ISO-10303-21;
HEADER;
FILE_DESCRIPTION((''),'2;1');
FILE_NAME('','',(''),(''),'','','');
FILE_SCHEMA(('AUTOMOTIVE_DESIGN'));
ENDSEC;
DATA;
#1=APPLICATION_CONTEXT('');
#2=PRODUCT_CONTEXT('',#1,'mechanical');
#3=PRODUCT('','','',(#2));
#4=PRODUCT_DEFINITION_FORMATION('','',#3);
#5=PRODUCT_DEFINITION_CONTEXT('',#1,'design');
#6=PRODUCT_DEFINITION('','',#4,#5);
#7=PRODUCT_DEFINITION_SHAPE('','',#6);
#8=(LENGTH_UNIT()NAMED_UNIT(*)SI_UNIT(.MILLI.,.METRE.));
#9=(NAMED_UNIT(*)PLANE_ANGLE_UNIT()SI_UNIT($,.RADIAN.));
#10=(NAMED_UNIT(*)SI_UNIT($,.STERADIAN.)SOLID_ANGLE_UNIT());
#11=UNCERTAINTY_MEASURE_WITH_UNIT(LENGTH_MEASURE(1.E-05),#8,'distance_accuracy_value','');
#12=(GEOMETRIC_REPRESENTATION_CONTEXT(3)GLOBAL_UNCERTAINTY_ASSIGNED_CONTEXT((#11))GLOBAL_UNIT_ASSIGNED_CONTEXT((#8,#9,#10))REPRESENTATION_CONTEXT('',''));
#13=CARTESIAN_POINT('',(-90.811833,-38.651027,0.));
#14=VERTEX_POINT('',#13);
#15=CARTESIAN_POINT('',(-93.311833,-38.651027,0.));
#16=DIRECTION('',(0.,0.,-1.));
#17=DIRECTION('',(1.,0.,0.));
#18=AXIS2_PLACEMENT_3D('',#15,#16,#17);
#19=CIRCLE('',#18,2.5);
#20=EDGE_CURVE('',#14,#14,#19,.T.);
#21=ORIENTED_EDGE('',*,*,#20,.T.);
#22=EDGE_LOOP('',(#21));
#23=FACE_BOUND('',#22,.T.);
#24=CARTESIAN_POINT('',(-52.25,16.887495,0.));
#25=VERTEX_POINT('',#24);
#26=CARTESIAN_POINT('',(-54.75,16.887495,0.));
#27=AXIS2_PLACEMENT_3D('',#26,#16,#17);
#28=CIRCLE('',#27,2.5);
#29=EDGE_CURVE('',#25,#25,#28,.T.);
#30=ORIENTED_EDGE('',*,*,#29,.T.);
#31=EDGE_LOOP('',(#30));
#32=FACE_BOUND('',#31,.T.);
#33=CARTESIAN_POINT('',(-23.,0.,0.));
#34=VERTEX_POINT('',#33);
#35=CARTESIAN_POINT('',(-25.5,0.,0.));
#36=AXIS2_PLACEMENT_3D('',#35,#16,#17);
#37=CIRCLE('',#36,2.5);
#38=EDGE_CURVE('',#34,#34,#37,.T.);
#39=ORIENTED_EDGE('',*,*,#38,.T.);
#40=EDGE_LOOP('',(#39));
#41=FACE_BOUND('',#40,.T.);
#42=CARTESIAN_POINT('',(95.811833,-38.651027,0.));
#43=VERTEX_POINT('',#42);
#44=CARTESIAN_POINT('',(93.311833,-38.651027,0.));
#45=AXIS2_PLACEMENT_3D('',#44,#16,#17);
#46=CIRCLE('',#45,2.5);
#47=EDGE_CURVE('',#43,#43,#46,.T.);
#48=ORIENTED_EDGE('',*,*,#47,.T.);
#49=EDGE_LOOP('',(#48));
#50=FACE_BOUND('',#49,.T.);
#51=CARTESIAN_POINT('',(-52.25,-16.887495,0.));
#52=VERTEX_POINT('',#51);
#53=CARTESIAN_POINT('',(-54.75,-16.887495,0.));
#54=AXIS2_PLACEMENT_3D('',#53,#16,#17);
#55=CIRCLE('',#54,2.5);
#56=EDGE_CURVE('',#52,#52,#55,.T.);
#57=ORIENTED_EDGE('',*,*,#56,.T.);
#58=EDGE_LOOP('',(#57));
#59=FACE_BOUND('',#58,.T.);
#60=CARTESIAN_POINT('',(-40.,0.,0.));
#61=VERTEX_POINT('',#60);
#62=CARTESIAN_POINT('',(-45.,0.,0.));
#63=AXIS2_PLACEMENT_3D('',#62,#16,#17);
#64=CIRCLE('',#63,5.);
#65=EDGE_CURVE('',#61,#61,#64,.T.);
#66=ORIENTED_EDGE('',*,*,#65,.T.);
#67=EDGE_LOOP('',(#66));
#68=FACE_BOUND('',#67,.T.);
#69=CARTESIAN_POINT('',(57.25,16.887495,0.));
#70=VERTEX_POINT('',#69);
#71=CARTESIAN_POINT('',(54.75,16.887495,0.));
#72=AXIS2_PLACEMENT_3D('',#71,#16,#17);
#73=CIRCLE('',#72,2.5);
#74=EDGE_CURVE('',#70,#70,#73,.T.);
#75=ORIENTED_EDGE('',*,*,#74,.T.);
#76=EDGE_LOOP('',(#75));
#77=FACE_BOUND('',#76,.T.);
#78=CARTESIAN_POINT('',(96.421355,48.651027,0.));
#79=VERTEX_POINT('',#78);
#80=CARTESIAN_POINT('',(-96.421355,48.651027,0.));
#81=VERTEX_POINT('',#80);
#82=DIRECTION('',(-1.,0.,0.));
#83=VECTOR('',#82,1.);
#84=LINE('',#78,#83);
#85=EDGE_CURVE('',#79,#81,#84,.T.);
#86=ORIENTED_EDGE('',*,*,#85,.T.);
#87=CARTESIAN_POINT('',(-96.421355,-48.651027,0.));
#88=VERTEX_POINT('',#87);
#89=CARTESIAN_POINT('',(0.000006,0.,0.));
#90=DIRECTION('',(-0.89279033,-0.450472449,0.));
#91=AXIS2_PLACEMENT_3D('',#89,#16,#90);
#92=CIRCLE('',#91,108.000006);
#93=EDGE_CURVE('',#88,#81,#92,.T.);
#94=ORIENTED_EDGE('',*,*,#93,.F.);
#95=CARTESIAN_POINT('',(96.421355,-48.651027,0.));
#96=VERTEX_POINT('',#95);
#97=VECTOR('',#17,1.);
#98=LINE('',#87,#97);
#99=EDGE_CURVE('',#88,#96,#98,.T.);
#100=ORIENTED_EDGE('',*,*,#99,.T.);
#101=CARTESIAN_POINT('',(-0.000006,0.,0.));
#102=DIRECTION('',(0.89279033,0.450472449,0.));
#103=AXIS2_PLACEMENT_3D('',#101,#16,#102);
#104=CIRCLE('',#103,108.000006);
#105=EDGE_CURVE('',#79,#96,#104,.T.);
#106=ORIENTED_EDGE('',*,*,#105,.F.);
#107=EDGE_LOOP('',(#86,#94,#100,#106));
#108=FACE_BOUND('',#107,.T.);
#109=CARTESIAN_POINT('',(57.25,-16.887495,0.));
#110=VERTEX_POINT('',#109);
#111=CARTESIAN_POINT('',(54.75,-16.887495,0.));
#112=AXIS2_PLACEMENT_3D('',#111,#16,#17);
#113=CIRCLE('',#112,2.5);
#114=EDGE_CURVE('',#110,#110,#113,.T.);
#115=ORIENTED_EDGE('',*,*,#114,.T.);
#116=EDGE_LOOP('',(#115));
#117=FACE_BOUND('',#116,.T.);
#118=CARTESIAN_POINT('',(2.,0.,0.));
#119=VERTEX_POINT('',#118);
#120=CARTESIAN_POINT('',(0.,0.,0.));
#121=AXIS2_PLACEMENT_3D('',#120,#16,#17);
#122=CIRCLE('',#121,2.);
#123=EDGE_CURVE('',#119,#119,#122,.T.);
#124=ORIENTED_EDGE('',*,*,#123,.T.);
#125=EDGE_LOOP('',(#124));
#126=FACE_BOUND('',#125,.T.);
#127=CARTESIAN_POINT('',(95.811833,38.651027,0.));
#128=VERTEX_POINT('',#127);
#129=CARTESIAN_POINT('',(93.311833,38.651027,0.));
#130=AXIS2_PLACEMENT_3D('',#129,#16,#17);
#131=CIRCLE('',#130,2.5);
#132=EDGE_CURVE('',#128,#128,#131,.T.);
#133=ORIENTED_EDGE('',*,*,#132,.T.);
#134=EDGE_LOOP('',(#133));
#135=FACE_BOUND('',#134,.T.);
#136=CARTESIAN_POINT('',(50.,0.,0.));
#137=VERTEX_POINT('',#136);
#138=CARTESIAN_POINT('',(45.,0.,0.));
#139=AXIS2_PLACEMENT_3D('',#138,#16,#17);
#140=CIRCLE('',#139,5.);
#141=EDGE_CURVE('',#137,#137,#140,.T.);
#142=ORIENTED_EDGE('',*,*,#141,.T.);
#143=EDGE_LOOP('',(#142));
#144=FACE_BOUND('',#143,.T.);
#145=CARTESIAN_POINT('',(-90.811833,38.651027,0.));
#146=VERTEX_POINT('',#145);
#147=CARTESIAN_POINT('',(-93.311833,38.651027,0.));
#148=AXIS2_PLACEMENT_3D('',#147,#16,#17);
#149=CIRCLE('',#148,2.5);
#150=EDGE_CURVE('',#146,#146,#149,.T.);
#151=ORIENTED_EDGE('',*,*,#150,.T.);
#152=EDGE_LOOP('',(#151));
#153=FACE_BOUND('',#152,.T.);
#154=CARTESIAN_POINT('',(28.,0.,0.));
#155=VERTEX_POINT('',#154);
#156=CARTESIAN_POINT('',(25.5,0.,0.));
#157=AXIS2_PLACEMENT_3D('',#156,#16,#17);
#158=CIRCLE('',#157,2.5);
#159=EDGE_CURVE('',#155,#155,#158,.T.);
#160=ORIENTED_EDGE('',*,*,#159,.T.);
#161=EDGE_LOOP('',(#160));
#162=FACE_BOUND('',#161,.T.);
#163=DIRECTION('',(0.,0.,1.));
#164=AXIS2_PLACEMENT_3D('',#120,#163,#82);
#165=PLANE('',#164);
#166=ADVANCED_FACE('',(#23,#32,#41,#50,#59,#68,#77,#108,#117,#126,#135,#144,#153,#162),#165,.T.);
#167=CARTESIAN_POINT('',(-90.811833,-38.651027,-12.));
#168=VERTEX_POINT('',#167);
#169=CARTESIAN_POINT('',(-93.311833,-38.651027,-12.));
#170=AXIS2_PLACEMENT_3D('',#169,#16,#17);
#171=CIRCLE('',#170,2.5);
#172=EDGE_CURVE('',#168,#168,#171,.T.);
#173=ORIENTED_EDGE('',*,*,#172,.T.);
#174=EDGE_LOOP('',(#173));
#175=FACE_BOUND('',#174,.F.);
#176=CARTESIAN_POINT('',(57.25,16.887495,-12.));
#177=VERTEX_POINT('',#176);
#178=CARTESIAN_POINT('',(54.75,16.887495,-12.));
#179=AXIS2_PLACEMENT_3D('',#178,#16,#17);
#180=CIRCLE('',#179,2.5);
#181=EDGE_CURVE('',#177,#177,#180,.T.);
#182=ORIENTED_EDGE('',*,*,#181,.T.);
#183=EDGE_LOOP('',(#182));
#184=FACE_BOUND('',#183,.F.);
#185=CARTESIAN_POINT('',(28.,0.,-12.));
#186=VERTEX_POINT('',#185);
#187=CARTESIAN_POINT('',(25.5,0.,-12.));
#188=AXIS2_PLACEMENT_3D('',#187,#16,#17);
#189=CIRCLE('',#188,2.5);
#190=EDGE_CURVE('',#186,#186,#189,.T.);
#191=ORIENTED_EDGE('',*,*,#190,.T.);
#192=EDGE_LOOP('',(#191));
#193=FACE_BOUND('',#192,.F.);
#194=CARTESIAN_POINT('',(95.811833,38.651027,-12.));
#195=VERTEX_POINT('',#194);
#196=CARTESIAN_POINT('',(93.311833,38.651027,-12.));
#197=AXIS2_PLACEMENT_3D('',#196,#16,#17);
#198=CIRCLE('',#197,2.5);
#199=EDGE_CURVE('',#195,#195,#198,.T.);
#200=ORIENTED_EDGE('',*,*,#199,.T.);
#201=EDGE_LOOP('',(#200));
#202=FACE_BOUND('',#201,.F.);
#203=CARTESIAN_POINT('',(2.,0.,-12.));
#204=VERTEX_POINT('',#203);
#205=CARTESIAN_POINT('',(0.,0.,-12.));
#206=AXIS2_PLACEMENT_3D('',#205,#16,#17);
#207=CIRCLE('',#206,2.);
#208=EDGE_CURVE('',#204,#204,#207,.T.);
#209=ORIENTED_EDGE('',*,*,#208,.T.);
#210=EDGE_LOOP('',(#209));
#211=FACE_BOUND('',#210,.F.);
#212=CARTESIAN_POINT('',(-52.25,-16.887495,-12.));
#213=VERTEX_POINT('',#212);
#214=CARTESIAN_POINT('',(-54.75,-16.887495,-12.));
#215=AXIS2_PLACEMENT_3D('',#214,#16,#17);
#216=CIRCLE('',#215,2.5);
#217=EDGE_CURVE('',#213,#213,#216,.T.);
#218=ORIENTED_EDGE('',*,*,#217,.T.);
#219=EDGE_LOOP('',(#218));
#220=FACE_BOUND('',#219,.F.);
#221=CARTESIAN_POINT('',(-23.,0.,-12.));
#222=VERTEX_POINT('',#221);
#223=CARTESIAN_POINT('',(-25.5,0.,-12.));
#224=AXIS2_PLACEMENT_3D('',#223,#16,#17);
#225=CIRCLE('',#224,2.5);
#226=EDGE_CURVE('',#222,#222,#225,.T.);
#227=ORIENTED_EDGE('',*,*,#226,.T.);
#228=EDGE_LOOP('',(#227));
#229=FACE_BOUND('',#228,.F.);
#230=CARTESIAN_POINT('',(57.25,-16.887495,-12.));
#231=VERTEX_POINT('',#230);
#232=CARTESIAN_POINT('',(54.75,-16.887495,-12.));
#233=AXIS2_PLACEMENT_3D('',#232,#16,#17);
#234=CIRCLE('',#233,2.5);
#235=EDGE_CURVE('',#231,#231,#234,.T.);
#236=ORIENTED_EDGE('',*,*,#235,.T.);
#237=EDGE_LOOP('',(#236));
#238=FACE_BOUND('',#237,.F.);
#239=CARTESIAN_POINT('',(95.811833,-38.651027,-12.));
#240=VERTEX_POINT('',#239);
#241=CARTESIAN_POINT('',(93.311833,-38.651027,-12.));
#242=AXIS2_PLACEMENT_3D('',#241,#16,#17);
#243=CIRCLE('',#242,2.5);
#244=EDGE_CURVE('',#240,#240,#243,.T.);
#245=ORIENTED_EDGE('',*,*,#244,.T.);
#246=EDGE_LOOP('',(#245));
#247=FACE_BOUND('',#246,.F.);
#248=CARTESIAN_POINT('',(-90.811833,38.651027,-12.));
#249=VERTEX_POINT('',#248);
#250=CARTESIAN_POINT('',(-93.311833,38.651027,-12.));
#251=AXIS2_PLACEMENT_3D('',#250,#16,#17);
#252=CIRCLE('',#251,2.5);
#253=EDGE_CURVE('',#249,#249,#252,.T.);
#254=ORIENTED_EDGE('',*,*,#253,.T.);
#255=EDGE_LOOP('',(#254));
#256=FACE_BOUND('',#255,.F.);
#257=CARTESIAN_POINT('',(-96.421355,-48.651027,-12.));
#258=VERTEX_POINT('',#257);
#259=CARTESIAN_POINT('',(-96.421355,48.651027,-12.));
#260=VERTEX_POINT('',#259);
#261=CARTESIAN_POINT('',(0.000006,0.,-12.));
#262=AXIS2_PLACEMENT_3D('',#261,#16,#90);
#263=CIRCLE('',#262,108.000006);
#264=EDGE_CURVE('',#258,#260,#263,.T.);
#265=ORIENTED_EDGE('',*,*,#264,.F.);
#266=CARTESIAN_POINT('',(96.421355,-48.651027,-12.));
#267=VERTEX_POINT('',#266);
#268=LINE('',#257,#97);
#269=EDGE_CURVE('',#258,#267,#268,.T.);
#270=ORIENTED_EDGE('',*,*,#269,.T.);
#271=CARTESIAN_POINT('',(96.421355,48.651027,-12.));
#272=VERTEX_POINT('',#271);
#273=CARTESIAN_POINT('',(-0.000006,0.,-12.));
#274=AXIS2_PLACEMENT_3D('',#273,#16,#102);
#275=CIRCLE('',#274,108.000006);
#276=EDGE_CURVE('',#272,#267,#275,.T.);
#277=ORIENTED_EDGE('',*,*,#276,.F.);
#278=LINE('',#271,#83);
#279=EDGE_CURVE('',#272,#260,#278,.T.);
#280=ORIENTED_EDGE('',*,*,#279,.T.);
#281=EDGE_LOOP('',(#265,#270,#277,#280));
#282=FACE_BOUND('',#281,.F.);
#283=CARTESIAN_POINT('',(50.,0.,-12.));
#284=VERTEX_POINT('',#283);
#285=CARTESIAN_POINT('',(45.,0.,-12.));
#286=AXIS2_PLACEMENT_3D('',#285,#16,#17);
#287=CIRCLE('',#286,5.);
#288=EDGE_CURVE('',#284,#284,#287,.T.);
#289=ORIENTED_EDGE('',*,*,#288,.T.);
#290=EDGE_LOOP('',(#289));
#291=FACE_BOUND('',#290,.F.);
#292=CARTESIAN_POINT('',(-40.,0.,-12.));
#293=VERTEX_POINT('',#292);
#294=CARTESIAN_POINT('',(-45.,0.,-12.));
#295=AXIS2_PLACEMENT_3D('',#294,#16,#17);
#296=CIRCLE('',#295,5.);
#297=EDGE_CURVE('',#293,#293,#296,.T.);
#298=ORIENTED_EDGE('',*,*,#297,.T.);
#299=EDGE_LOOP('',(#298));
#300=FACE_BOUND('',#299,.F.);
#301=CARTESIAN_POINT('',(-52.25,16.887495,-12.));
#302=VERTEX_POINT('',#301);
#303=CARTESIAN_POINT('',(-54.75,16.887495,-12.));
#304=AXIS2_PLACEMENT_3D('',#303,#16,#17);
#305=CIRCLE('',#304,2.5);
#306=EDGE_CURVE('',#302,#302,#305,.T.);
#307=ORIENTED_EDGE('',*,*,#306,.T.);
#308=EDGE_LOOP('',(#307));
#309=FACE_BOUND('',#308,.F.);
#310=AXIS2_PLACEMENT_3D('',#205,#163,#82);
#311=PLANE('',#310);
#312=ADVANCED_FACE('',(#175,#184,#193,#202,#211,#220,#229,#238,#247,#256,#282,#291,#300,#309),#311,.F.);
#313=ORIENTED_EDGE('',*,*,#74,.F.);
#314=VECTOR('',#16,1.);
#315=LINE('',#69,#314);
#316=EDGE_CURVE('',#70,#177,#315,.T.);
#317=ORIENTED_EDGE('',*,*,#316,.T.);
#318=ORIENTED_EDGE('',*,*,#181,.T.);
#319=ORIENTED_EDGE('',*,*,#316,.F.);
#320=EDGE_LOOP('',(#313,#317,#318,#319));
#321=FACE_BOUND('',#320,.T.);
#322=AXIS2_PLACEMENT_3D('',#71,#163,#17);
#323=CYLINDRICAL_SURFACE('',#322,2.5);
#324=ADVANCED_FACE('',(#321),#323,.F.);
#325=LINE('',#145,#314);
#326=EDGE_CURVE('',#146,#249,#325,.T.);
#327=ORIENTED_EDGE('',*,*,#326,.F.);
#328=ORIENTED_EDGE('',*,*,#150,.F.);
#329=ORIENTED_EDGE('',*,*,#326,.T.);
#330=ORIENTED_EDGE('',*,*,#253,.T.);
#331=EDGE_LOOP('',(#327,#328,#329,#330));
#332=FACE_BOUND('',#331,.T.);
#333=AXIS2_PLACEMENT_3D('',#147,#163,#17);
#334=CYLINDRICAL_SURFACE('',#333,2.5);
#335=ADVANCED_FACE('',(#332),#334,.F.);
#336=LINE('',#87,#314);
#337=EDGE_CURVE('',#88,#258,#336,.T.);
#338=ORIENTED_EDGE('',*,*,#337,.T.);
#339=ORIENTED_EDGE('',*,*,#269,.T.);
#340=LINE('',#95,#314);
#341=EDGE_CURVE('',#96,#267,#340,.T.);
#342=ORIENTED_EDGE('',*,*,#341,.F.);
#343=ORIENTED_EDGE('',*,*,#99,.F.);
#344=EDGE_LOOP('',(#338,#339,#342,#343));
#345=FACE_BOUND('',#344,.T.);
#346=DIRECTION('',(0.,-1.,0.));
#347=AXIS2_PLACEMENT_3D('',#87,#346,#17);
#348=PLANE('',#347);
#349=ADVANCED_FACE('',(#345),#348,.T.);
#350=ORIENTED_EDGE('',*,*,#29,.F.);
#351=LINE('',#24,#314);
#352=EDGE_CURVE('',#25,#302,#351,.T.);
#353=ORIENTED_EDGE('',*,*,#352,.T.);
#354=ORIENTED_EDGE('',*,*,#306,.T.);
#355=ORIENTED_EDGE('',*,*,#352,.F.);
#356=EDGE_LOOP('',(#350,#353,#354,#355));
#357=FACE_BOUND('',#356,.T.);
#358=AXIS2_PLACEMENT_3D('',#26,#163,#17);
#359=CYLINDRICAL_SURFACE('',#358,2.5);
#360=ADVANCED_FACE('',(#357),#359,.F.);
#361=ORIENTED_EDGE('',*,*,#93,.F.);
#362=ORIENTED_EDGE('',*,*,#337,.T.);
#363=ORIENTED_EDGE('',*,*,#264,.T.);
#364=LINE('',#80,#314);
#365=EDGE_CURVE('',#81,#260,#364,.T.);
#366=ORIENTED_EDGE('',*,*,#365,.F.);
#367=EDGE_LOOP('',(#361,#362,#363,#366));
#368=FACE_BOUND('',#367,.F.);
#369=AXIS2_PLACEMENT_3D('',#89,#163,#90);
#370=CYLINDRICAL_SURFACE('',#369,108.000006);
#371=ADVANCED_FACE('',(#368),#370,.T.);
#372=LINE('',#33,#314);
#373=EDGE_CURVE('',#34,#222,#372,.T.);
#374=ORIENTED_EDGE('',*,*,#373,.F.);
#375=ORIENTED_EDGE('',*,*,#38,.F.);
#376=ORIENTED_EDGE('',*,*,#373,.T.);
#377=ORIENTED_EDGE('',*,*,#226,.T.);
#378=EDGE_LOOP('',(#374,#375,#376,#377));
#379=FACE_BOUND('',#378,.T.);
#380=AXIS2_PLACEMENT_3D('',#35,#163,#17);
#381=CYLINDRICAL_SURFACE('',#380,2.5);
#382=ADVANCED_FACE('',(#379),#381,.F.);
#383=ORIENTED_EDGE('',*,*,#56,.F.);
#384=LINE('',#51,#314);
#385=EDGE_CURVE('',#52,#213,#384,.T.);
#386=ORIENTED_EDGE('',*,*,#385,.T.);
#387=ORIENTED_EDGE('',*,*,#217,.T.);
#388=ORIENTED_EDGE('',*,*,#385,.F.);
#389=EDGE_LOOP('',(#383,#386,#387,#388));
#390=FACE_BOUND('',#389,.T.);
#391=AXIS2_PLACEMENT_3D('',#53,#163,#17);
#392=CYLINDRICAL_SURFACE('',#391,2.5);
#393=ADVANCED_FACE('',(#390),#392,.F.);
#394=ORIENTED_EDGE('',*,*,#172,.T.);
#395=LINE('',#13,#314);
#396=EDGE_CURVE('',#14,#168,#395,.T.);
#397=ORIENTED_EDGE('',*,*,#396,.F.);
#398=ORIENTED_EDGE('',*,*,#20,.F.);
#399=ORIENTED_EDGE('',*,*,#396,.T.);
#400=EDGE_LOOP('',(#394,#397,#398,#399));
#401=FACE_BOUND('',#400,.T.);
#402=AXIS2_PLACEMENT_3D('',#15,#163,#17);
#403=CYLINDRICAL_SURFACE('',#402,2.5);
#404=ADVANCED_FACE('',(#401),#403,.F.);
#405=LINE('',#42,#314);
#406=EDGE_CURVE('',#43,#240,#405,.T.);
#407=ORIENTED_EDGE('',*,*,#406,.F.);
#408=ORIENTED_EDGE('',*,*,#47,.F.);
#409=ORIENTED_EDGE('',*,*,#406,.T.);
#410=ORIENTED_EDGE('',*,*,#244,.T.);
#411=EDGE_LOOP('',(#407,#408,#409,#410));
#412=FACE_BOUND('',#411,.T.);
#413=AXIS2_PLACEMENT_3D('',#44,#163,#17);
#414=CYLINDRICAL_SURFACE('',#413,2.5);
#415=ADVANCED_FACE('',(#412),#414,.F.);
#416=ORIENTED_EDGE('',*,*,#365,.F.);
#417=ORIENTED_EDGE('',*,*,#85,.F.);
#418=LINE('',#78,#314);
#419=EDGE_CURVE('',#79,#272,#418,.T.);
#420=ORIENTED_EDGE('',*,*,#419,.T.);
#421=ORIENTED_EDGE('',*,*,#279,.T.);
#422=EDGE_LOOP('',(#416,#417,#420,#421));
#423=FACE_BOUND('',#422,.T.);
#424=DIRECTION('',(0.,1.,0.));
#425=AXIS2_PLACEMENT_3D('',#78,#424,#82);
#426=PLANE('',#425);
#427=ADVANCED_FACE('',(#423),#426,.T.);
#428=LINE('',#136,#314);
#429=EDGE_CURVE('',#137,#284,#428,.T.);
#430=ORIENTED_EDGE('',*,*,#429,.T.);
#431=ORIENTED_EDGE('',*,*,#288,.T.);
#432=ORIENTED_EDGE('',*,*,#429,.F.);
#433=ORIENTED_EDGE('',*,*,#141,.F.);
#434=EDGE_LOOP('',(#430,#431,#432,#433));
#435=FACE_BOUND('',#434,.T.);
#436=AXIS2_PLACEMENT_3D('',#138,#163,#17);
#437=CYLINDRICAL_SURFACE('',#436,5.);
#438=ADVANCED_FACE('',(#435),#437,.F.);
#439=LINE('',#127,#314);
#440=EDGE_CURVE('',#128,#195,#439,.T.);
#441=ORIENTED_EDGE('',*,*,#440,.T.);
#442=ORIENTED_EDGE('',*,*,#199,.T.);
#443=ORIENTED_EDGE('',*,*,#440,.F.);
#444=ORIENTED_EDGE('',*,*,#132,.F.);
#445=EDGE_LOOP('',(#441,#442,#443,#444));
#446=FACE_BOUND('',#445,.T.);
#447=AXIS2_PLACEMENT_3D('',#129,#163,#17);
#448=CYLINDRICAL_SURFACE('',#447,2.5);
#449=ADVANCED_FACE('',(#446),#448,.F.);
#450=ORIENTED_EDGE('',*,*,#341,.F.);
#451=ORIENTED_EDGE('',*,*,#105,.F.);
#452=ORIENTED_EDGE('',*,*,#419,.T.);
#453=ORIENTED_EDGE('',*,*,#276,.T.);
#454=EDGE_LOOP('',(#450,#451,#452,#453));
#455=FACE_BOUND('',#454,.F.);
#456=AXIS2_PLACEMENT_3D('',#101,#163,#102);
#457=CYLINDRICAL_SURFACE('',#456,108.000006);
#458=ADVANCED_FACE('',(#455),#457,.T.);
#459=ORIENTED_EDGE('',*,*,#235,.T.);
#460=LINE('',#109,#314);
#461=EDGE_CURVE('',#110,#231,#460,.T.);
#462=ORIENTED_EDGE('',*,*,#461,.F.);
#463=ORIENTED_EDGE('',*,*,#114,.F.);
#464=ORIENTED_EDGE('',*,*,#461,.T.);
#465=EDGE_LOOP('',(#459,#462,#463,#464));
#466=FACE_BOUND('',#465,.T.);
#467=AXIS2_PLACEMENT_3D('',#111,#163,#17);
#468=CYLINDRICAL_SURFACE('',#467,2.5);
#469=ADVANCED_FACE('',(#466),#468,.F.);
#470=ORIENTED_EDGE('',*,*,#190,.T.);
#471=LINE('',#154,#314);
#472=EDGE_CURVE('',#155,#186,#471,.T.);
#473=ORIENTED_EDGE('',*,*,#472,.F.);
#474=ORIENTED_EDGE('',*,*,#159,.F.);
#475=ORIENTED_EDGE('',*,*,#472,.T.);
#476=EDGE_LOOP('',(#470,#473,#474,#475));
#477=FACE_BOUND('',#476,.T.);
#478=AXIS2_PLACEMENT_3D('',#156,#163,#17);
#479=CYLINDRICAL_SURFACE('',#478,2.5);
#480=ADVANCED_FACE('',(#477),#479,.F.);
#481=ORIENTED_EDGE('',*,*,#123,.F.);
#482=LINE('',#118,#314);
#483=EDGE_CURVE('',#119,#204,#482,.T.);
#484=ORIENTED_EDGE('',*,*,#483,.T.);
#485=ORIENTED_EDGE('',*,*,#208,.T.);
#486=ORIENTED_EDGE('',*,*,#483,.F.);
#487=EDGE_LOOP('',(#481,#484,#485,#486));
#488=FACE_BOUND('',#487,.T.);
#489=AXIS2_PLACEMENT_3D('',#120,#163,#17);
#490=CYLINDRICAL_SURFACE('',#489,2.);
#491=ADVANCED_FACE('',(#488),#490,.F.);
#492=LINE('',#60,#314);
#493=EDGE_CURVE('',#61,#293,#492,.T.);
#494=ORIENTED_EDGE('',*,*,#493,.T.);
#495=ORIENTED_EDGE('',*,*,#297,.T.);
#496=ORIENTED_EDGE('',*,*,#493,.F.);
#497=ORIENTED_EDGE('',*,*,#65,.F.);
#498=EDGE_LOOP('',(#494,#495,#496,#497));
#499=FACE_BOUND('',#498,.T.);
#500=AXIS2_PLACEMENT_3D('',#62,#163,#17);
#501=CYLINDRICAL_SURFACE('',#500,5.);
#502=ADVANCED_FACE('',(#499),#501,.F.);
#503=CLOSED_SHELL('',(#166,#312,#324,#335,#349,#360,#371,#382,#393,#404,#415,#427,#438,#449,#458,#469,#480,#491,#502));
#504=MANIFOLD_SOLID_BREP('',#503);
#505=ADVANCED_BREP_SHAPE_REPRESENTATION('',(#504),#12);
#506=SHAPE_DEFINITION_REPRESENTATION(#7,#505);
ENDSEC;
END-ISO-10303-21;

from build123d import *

# Parameters (mm, degrees)
SKETCH001_R   = 2.5
SKETCH001_R_2 = 5
SKETCH001_R_3 = 2
PAD_DEPTH     = 12


with BuildPart() as part:
    # Sketch001 → Pad (new body)
    with BuildSketch(Plane(origin=(0, 0, 0), x_dir=(1, 0, 0), z_dir=(0, 0, -1))):
        with BuildLine():
            Line((-96.421355, 48.651027), (96.421355, 48.651027))
            ThreePointArc((96.421355, -48.651027), (108, 0), (96.421355, 48.651027))
            Line((96.421355, -48.651027), (-96.421355, -48.651027))
            ThreePointArc((-96.421355, 48.651027), (-108, 0), (-96.421355, -48.651027))
        make_face()
        with Locations((93.311833, 38.651027)):
            Circle(SKETCH001_R, mode=Mode.SUBTRACT)
        with Locations((93.311833, -38.651027)):
            Circle(SKETCH001_R, mode=Mode.SUBTRACT)
        with Locations((-93.311833, 38.651027)):
            Circle(SKETCH001_R, mode=Mode.SUBTRACT)
        with Locations((-93.311833, -38.651027)):
            Circle(SKETCH001_R, mode=Mode.SUBTRACT)
        with Locations((-45, 0)):
            Circle(SKETCH001_R_2, mode=Mode.SUBTRACT)
        with Locations((45, 0)):
            Circle(SKETCH001_R_2, mode=Mode.SUBTRACT)
        with Locations((54.75, 16.887495)):
            Circle(SKETCH001_R, mode=Mode.SUBTRACT)
        with Locations((25.5, 0)):
            Circle(SKETCH001_R, mode=Mode.SUBTRACT)
        with Locations((54.75, -16.887495)):
            Circle(SKETCH001_R, mode=Mode.SUBTRACT)
        with Locations((-54.75, 16.887495)):
            Circle(SKETCH001_R, mode=Mode.SUBTRACT)
        with Locations((-25.5, 0)):
            Circle(SKETCH001_R, mode=Mode.SUBTRACT)
        with Locations((-54.75, -16.887495)):
            Circle(SKETCH001_R, mode=Mode.SUBTRACT)
        Circle(SKETCH001_R_3, mode=Mode.SUBTRACT)
    extrude(amount=PAD_DEPTH)


solid = part.part
